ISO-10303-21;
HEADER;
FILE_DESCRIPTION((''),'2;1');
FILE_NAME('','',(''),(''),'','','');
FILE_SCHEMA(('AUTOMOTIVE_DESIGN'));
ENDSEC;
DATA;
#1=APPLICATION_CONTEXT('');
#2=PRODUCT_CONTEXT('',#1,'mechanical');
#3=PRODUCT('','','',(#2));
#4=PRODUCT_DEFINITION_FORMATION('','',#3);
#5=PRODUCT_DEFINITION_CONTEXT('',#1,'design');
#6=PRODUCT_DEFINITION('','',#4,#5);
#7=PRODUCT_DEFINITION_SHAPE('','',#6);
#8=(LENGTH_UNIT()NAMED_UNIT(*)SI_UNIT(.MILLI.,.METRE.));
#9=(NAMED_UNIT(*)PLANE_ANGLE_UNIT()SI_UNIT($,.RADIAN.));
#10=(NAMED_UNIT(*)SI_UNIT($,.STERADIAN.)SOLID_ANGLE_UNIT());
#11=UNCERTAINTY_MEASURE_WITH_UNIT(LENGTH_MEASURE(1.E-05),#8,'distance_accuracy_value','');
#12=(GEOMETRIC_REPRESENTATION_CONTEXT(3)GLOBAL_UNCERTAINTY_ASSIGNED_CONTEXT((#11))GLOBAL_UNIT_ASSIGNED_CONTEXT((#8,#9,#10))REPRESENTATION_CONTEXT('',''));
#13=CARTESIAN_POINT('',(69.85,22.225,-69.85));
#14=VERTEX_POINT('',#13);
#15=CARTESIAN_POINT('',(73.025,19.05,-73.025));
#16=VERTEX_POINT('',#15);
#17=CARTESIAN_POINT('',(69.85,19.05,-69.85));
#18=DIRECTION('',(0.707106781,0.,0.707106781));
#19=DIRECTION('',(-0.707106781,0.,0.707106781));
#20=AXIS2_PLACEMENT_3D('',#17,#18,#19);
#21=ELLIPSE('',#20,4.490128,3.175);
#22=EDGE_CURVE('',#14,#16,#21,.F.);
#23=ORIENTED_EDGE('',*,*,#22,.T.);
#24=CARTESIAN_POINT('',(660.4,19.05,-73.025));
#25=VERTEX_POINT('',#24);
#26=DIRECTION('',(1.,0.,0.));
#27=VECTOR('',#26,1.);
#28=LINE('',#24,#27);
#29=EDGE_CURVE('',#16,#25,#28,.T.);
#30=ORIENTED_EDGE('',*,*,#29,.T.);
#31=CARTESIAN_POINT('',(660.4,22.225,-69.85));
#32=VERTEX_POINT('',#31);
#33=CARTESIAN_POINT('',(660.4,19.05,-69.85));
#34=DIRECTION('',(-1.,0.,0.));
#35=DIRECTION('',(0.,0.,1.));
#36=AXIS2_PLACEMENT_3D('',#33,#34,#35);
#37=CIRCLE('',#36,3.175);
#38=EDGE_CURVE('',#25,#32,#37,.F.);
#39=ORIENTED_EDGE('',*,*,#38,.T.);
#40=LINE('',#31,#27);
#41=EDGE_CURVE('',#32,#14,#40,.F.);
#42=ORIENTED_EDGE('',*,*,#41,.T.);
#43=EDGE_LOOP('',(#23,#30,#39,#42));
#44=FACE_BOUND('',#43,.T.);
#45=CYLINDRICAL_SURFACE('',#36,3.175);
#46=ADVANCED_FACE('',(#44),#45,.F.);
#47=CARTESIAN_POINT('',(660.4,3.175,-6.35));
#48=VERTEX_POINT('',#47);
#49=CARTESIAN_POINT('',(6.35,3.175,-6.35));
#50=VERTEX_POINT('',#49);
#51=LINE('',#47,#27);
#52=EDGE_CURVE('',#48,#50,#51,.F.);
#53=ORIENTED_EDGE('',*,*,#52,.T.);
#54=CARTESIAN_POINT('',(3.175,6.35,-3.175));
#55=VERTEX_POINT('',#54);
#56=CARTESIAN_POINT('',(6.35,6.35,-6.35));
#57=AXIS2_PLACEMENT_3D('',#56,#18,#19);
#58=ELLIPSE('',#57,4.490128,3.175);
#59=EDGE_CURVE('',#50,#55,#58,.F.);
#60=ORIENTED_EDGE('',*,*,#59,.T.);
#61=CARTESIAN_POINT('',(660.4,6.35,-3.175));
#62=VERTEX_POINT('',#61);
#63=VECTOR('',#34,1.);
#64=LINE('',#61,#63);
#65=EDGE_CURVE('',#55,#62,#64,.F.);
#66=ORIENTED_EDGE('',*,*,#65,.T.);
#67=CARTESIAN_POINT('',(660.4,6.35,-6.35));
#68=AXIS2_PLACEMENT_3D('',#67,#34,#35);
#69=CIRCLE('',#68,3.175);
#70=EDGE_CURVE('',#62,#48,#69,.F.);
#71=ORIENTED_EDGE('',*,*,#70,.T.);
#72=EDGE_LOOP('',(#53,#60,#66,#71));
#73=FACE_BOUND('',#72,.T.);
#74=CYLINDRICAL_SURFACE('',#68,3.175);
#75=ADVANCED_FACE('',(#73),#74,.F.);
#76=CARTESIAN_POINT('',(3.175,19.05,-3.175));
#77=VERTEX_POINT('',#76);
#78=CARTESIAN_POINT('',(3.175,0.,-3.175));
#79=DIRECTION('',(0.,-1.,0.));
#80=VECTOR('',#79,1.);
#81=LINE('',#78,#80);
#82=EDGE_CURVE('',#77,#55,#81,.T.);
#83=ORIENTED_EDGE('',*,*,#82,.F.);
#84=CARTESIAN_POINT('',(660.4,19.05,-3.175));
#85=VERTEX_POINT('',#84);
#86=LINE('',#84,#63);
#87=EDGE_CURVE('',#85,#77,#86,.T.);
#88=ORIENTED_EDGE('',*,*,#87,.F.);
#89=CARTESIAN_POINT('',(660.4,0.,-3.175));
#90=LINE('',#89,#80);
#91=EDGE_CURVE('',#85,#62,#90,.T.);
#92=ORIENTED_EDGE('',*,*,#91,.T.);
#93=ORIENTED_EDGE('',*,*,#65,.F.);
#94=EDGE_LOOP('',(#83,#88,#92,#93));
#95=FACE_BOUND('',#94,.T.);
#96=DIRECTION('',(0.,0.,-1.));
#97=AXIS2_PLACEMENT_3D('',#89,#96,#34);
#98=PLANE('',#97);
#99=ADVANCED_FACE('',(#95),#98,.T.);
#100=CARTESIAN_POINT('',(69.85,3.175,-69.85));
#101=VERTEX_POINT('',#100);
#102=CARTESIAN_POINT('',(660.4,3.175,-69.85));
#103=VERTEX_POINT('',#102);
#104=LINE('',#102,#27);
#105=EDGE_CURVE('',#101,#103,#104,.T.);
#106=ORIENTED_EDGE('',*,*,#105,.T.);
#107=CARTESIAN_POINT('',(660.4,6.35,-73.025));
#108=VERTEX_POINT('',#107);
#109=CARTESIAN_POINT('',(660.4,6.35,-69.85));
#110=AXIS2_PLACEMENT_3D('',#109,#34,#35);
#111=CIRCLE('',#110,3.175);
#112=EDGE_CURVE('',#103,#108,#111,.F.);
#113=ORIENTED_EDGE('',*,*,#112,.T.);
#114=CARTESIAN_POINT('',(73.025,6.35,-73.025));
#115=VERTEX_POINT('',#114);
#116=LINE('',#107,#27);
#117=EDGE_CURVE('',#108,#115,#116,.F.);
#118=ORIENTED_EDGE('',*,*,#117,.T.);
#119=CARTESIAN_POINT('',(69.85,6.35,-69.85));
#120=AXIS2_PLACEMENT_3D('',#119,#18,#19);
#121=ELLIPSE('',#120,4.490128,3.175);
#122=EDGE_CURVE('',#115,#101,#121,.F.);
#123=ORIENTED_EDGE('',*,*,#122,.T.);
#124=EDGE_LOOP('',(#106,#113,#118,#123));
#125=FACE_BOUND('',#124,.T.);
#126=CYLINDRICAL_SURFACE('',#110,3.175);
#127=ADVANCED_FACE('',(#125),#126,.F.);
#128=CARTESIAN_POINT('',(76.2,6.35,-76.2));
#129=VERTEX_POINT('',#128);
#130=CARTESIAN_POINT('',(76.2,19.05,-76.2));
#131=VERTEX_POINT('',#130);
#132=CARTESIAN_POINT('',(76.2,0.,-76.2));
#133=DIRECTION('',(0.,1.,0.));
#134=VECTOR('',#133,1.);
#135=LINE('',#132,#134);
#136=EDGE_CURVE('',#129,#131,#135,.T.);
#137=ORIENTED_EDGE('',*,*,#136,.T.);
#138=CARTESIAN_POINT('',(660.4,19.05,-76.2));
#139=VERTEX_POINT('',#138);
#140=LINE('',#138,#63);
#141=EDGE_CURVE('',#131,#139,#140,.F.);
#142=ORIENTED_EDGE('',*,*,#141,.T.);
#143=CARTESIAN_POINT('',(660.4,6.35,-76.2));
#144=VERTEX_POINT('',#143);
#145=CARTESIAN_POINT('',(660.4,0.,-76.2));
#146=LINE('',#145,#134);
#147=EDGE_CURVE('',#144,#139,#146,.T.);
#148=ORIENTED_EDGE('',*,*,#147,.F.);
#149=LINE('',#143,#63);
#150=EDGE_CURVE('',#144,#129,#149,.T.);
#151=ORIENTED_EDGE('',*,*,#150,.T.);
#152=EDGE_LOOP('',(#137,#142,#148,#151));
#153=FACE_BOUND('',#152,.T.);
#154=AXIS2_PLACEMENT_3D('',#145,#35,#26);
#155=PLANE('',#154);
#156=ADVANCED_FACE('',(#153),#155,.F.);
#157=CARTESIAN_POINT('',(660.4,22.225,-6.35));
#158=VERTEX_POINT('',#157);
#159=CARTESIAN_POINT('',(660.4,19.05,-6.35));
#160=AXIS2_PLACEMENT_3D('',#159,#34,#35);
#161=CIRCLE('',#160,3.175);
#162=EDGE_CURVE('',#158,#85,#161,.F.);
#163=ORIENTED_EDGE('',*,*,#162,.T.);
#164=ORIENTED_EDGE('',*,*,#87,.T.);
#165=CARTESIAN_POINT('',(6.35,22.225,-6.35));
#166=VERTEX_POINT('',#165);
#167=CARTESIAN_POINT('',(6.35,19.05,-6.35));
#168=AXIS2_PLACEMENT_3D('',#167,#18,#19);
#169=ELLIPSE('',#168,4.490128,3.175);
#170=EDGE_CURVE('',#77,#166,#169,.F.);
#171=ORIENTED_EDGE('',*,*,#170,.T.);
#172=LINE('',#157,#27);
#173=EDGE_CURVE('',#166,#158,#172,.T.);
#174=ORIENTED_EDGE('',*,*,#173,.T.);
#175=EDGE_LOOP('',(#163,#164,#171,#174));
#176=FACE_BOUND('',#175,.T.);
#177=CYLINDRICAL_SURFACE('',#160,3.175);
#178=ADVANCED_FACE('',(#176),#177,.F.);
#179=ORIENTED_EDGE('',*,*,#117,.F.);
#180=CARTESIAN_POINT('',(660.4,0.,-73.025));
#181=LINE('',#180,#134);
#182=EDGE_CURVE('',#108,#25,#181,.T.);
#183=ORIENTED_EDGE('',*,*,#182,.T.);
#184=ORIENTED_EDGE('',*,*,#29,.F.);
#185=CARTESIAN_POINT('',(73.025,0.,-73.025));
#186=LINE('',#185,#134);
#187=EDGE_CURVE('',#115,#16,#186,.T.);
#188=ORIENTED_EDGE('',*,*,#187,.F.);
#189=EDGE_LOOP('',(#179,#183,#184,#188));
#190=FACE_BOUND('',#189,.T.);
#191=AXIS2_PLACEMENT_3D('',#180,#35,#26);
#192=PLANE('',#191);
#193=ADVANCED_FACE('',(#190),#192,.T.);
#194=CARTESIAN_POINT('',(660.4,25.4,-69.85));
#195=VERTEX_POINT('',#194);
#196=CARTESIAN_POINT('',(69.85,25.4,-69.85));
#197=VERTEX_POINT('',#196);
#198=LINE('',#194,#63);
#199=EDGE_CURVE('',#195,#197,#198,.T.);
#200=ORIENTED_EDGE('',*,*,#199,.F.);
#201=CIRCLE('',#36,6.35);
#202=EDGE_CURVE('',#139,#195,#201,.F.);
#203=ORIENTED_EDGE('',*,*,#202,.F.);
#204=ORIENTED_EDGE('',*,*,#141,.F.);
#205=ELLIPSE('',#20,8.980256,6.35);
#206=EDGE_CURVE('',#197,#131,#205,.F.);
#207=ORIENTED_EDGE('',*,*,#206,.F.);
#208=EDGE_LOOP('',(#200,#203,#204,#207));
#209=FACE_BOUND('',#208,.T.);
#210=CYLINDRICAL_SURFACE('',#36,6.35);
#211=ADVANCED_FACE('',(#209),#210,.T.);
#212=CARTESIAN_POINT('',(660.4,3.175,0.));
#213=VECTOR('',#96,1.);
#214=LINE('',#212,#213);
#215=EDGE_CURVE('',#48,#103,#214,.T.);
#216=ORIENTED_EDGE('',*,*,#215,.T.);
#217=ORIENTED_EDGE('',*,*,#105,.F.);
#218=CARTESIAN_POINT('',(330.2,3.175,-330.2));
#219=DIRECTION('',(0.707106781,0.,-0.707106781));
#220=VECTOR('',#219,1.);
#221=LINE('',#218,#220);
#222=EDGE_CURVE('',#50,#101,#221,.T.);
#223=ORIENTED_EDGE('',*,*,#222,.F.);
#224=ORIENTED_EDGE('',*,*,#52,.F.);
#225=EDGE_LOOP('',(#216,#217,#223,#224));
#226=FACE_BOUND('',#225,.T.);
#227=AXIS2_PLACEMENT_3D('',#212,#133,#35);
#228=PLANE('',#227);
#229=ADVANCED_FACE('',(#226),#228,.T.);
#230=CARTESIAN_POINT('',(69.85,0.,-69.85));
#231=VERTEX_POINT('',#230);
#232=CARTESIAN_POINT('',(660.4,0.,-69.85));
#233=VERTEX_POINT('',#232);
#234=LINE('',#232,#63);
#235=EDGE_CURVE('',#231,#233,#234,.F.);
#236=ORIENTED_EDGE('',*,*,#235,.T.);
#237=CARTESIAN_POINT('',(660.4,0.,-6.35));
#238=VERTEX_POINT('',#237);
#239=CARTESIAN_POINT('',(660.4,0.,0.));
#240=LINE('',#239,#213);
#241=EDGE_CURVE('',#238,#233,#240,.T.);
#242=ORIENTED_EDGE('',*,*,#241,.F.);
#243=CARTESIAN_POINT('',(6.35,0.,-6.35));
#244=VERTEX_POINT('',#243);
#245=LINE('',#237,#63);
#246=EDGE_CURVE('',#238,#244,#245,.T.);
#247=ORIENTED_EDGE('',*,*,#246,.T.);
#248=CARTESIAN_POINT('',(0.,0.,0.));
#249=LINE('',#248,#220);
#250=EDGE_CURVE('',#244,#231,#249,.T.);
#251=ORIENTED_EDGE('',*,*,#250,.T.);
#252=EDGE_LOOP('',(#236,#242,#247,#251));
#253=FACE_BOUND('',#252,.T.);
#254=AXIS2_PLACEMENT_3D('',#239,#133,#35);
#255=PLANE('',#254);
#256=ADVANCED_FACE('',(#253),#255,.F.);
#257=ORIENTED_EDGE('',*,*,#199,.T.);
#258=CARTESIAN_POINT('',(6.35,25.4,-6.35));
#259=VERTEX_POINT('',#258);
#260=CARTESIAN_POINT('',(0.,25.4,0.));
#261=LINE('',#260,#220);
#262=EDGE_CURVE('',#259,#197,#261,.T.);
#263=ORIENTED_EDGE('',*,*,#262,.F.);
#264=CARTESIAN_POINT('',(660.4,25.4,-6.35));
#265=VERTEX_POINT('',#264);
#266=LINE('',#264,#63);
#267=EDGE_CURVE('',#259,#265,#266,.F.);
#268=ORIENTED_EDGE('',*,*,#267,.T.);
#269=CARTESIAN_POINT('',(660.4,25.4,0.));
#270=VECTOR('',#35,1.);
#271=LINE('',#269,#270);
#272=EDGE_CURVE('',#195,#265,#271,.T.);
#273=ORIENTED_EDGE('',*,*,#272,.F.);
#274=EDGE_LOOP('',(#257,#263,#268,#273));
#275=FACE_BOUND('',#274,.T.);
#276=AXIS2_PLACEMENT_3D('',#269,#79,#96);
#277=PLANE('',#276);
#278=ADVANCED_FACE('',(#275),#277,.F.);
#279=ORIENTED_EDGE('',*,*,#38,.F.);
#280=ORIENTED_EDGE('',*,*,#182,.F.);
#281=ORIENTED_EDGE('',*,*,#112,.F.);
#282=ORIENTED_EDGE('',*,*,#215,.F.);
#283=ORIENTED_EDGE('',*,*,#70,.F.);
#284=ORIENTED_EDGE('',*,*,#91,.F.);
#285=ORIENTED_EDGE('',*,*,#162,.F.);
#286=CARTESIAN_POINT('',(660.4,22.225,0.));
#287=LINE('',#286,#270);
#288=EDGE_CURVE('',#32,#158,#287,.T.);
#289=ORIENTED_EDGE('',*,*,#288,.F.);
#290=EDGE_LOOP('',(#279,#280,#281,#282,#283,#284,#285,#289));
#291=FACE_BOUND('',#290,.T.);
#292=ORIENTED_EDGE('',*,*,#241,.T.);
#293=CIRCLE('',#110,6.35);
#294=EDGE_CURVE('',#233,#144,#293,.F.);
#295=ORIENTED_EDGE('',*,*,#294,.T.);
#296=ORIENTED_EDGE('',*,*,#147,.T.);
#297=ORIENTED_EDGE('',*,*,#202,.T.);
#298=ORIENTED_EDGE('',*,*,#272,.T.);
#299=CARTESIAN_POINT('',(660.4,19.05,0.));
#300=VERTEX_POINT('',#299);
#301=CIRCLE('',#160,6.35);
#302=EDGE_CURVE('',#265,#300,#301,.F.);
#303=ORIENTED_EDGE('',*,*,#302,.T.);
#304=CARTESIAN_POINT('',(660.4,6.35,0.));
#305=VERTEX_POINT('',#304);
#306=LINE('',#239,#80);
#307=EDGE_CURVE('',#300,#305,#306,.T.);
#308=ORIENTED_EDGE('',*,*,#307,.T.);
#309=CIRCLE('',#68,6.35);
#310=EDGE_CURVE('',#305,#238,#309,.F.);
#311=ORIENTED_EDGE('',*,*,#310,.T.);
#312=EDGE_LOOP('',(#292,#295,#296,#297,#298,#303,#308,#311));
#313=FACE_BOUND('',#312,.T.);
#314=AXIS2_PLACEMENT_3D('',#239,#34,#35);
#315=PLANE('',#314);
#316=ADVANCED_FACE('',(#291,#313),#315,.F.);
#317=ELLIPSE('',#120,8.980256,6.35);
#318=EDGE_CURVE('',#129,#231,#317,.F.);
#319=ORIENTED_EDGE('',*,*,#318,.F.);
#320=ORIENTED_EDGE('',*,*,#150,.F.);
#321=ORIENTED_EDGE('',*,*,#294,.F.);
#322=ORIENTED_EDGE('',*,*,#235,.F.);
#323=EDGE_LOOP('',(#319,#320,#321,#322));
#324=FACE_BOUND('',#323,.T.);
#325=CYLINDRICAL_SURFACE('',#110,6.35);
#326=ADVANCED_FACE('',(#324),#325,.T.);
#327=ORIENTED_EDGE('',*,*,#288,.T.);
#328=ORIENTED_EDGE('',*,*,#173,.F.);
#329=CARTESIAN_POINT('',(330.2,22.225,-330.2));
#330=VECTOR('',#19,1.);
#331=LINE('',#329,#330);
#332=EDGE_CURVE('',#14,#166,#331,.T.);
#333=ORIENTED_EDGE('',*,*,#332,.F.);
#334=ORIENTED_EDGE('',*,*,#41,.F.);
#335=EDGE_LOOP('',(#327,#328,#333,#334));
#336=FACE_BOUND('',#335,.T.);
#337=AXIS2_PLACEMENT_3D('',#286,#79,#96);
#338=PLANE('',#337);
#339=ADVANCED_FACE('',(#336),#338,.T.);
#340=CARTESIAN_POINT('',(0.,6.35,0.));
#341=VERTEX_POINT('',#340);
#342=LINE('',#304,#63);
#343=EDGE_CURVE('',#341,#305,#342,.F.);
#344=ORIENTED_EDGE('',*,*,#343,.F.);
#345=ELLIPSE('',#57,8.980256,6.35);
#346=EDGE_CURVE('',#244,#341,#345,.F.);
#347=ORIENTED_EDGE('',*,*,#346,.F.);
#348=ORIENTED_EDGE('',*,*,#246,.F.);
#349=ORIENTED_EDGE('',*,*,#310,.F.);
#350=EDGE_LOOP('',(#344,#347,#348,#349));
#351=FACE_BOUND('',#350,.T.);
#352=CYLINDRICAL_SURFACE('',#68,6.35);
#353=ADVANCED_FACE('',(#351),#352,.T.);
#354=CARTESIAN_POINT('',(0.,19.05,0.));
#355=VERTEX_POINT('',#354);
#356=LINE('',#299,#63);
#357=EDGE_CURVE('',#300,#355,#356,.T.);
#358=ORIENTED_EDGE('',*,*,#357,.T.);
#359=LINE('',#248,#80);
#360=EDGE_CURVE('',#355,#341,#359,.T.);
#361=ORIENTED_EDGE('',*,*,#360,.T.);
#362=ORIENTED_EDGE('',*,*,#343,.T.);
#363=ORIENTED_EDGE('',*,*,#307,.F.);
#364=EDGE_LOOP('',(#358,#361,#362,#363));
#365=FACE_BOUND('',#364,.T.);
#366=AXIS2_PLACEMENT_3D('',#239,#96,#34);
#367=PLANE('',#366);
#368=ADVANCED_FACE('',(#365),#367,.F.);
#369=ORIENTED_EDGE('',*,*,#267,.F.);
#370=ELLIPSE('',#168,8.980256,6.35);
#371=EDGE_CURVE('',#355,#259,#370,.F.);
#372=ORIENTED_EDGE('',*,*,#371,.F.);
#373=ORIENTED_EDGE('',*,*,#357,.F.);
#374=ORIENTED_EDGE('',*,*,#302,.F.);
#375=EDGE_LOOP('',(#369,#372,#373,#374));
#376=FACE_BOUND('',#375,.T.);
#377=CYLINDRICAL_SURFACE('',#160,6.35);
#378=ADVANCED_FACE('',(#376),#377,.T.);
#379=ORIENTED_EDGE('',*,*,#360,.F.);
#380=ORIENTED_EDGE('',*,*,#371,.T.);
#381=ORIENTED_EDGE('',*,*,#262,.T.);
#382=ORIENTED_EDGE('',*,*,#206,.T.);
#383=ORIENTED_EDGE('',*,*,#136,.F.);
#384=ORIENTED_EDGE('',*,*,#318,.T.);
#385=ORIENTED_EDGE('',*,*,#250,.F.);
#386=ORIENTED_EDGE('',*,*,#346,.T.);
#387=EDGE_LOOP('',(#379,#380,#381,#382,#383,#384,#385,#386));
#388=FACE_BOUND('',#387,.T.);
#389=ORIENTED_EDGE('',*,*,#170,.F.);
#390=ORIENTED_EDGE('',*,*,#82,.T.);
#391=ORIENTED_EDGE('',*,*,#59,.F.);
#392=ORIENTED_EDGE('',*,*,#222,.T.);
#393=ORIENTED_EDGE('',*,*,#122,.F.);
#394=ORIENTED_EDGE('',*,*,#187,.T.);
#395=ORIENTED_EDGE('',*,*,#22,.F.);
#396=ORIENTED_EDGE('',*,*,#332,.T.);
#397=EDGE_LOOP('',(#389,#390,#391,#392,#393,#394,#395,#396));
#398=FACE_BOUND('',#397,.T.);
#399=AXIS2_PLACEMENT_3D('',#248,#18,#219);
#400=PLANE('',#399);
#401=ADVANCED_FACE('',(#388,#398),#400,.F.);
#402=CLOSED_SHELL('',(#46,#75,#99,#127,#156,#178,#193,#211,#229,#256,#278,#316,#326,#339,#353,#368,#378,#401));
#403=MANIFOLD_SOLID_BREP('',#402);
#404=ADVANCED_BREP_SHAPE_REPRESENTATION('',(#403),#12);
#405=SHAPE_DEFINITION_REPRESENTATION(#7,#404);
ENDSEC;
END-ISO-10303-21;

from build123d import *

# Parameters (mm, degrees)
SKETCH1_W           = 76.2
SKETCH1_H           = 25.4
BOSS_EXTRUDE1_DEPTH = 660.4
FILLET1_R           = 6.35
SHELL1_T            = -3.175
CUT_EXTRUDE1_DEPTH  = 25.4


with BuildPart() as part:
    # Sketch1 → Boss-Extrude1 (new body)
    with BuildSketch(Plane(origin=(0, 0, 0), x_dir=(0, 0, -1), z_dir=(1, 0, 0))):
        with Locations((38.1, 12.7)):
            Rectangle(SKETCH1_W, SKETCH1_H)
    extrude(amount=BOSS_EXTRUDE1_DEPTH)

    # Fillet1
    fillet1_edges = [part.edges().sort_by_distance(p)[0] for p in [
        (330.2, 25.4, 0),
        (330.2, 25.4, -76.2),
        (330.2, 0, -76.2),
        (330.2, 0, 0),
    ]]
    fillet(fillet1_edges, radius=FILLET1_R)

    # Shell1
    shell1_openings = [part.faces().sort_by_distance(p)[0] for p in [
        (660.4, 12.7, -38.1),
        (0, 12.7, -38.1),
    ]]
    offset(amount=SHELL1_T, openings=shell1_openings, kind=Kind.INTERSECTION)

    # Sketch2 → Cut-Extrude1 (cut)
    with BuildSketch(Plane(origin=(0, 25.4, 0), x_dir=(1, 0, 0), z_dir=(0, 1, 0))):
        Polygon((0, 0), (76.2, 76.2), (0, 76.2), align=None)
    extrude(amount=-CUT_EXTRUDE1_DEPTH, mode=Mode.SUBTRACT)


solid = part.part
